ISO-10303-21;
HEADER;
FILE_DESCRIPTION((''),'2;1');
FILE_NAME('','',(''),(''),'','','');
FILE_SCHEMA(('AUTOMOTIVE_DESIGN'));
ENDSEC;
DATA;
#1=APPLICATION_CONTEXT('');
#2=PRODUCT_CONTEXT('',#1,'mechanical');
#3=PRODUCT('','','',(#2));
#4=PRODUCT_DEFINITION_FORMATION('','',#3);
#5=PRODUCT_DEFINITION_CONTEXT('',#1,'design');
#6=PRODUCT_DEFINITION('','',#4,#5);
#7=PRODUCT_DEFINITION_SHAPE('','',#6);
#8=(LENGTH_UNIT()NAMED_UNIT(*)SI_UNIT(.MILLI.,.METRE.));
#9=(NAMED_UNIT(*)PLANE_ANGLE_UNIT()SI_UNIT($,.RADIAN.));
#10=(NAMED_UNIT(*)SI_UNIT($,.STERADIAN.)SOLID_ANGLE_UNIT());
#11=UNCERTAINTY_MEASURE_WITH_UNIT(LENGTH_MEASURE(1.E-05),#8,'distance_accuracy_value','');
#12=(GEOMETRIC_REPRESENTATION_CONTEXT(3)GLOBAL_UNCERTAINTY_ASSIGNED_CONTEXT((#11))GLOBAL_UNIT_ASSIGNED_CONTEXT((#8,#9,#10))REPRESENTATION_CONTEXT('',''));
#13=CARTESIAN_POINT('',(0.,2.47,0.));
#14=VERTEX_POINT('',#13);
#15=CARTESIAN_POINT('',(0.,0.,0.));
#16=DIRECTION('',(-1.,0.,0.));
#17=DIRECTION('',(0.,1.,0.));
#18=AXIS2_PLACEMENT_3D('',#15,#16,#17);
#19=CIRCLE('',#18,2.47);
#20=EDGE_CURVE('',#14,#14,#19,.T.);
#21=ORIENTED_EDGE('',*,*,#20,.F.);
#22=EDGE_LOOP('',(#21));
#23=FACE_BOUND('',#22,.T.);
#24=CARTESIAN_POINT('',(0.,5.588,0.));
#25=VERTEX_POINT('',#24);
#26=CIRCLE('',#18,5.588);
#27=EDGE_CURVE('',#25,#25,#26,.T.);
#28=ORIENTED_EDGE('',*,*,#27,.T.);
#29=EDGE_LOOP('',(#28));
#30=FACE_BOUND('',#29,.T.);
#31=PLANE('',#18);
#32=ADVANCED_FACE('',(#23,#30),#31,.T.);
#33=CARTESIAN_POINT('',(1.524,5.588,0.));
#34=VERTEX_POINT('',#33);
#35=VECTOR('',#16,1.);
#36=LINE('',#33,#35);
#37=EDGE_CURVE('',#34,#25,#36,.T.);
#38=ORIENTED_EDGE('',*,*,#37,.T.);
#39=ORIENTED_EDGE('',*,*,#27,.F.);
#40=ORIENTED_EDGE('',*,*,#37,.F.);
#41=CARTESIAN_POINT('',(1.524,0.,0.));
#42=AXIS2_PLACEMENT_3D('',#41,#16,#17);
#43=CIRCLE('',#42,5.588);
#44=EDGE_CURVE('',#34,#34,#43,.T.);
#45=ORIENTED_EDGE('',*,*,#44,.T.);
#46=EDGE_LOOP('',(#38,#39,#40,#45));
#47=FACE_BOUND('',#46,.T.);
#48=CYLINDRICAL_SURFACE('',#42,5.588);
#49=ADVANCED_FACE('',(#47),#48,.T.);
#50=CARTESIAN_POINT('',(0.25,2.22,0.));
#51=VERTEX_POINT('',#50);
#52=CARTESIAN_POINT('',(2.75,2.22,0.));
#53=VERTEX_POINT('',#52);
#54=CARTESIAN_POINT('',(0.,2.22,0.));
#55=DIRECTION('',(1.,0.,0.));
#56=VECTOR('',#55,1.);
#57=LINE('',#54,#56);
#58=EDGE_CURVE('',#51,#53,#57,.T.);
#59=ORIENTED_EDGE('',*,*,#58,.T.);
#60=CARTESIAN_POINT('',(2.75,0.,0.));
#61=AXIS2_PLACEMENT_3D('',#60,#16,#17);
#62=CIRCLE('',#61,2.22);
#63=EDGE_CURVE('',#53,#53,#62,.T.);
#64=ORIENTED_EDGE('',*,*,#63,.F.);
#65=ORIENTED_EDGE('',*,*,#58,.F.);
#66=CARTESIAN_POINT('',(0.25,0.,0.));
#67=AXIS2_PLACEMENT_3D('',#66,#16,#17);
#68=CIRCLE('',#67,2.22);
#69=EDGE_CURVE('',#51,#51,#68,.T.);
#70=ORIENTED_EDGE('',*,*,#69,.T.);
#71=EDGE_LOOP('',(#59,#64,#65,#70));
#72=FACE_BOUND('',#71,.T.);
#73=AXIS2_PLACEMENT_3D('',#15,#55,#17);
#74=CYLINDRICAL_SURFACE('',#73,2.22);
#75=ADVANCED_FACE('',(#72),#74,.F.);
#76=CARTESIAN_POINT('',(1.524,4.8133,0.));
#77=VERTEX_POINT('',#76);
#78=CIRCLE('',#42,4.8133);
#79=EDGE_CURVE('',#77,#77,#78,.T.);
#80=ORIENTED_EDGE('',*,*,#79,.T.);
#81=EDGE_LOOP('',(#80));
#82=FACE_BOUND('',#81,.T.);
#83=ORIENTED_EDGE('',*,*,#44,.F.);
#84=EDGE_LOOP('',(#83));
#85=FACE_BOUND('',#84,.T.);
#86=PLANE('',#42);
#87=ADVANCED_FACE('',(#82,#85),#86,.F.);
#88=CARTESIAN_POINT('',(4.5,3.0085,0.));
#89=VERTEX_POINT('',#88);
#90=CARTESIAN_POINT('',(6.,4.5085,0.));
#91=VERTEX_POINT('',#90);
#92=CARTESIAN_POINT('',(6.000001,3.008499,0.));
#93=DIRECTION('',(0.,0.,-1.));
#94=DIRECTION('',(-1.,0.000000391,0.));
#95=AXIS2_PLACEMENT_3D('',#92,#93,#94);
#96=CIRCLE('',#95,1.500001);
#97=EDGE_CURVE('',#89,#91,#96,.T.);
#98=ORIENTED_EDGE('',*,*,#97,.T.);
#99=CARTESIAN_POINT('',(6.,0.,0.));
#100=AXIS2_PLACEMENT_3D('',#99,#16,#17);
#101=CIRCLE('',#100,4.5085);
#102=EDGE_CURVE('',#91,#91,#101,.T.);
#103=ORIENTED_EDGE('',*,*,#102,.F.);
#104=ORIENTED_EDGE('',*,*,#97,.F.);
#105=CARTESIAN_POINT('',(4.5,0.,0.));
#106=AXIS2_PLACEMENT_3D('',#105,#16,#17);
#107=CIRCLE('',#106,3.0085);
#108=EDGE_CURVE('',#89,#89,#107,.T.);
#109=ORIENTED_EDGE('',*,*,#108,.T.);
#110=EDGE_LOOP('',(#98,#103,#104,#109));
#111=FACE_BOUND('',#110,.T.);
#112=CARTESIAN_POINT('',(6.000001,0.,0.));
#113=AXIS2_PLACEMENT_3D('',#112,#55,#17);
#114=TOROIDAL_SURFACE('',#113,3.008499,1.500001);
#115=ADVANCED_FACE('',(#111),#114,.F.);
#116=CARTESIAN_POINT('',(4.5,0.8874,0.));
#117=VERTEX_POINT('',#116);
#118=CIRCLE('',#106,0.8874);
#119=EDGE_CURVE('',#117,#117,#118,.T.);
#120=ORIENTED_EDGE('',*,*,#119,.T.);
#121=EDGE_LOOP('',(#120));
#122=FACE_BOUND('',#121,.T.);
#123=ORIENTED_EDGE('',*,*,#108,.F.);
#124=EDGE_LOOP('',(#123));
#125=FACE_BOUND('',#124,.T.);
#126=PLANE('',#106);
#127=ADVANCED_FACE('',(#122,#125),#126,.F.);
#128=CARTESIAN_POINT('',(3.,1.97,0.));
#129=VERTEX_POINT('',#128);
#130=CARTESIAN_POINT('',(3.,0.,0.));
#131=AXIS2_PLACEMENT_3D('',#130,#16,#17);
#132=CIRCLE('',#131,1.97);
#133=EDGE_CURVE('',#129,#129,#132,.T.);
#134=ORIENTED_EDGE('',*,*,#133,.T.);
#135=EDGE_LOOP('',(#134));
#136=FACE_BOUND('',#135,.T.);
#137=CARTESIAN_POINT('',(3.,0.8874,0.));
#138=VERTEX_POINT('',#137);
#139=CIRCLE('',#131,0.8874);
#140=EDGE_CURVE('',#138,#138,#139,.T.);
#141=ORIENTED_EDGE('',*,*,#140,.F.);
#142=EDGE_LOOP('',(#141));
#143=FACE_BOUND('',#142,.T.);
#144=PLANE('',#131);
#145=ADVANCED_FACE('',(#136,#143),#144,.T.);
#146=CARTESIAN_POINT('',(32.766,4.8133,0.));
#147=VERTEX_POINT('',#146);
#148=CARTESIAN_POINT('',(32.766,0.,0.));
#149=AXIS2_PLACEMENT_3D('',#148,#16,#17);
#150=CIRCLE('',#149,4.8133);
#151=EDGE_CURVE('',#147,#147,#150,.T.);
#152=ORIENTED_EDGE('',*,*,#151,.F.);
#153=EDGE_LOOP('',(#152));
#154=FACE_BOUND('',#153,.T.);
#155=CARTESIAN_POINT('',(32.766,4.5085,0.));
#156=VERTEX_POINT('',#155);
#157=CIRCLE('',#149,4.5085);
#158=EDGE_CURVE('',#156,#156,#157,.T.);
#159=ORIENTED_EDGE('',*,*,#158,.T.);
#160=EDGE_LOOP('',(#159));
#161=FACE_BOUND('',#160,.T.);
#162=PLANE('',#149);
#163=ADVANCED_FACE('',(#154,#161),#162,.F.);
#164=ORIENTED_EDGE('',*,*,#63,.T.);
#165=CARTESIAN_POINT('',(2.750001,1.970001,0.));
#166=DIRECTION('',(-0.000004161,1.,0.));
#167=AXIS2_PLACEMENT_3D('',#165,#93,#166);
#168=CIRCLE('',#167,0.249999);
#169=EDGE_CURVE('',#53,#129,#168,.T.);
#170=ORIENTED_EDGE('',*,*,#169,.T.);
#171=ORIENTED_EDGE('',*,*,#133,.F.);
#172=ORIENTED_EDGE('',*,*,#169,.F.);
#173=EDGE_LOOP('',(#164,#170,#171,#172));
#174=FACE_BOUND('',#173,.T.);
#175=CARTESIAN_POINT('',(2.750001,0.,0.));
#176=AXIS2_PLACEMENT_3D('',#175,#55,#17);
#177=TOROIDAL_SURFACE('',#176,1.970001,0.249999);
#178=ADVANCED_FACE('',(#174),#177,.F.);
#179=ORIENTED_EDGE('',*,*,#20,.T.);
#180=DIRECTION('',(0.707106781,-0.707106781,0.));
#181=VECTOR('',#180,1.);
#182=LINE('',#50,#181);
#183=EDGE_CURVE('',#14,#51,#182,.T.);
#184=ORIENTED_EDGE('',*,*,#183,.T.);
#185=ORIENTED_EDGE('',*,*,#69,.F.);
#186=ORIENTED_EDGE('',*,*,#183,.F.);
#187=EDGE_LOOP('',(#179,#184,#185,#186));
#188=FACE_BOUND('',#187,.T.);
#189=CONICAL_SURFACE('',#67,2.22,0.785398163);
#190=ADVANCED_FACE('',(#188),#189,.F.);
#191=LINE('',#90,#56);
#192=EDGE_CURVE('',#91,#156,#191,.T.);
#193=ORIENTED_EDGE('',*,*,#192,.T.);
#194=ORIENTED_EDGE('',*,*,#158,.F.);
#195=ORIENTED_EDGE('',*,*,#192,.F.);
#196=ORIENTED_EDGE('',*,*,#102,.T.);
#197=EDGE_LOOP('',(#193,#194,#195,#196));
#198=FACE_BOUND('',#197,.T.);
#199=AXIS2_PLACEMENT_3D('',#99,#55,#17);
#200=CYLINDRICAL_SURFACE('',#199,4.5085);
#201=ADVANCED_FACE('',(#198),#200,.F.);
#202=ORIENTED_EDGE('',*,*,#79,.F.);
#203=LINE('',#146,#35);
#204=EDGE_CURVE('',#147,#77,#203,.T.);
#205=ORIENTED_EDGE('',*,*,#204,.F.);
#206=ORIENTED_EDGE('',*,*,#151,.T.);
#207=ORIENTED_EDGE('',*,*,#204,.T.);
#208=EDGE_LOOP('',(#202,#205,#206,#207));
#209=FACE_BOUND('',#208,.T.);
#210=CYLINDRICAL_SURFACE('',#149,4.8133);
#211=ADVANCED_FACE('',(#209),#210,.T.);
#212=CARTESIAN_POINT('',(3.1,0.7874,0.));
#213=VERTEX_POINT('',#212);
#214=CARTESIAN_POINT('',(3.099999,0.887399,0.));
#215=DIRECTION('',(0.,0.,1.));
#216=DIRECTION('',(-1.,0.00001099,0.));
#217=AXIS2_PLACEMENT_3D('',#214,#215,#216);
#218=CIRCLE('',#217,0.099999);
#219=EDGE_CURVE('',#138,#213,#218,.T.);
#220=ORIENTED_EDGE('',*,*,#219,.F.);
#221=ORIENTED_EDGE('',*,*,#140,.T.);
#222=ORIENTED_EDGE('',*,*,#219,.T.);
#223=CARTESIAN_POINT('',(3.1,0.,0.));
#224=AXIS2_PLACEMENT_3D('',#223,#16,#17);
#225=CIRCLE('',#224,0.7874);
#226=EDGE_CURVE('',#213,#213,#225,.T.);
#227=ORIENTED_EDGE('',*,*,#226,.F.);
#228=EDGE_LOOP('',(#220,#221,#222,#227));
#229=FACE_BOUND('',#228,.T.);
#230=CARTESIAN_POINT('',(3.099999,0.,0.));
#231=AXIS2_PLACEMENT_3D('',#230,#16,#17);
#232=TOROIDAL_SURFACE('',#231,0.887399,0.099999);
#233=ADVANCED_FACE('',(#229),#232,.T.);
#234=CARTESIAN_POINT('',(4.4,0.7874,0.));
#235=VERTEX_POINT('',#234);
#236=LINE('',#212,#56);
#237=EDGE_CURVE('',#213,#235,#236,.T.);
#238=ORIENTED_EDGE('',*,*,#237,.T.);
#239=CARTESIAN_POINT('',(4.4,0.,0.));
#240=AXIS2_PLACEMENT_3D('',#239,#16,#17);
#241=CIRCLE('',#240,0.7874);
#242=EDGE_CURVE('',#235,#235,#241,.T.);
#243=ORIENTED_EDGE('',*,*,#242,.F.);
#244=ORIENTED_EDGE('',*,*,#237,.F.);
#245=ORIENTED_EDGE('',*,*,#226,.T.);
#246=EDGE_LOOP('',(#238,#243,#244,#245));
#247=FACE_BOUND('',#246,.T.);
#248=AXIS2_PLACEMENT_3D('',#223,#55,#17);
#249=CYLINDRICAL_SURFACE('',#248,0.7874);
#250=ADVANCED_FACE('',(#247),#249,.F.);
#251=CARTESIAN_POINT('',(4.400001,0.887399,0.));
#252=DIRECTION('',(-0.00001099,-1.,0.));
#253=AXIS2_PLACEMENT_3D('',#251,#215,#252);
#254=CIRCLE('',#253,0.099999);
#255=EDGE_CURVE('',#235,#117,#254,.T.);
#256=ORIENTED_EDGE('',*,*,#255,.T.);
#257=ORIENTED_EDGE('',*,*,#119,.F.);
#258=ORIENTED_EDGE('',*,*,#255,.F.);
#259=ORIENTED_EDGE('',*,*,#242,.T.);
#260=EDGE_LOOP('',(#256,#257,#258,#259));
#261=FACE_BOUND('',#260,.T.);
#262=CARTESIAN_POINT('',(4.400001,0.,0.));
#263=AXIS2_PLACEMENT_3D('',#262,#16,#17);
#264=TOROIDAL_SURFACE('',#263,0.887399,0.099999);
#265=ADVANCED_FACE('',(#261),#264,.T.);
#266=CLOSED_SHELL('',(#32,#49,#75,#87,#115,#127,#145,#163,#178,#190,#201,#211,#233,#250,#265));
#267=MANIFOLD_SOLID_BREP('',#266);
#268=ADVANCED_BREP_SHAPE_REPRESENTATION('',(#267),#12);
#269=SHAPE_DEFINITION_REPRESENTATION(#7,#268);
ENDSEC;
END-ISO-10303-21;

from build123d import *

# Parameters (mm, degrees)
F2_SIZE = 0.25


with BuildPart() as f1:
    # F0 (on Top) → F1 (revolve)
    with BuildSketch(Plane.XY):
        with BuildLine():
            Line((0, 5.588), (0, 2.22))
            Line((0, 2.22), (2.75, 2.22))
            ThreePointArc((2.75, 2.22), (2.926777, 2.146777), (3, 1.97))
            Line((3, 1.97), (3, 0.8874))
            ThreePointArc((3, 0.8874), (3.029289, 0.816689), (3.1, 0.7874))
            Line((3.1, 0.7874), (4.4, 0.7874))
            ThreePointArc((4.4, 0.7874), (4.470711, 0.816689), (4.5, 0.8874))
            Line((4.5, 0.8874), (4.5, 3.0085))
            ThreePointArc((4.5, 3.0085), (4.93934, 4.06916), (6, 4.5085))
            Line((6, 4.5085), (32.766, 4.5085))
            Line((32.766, 4.5085), (32.766, 4.8133))
            Line((32.766, 4.8133), (1.524, 4.8133))
            Line((1.524, 4.8133), (1.524, 5.588))
            Line((1.524, 5.588), (0, 5.588))
        make_face()
    revolve(axis=Axis((16.383, 0, 0), (-1, 0, 0)))

    # F2
    f2_edges = [f1.edges().sort_by_distance(p)[0] for p in [
        (0, -2.22, 0),
    ]]
    chamfer(f2_edges, length=F2_SIZE)


solid = f1.part
